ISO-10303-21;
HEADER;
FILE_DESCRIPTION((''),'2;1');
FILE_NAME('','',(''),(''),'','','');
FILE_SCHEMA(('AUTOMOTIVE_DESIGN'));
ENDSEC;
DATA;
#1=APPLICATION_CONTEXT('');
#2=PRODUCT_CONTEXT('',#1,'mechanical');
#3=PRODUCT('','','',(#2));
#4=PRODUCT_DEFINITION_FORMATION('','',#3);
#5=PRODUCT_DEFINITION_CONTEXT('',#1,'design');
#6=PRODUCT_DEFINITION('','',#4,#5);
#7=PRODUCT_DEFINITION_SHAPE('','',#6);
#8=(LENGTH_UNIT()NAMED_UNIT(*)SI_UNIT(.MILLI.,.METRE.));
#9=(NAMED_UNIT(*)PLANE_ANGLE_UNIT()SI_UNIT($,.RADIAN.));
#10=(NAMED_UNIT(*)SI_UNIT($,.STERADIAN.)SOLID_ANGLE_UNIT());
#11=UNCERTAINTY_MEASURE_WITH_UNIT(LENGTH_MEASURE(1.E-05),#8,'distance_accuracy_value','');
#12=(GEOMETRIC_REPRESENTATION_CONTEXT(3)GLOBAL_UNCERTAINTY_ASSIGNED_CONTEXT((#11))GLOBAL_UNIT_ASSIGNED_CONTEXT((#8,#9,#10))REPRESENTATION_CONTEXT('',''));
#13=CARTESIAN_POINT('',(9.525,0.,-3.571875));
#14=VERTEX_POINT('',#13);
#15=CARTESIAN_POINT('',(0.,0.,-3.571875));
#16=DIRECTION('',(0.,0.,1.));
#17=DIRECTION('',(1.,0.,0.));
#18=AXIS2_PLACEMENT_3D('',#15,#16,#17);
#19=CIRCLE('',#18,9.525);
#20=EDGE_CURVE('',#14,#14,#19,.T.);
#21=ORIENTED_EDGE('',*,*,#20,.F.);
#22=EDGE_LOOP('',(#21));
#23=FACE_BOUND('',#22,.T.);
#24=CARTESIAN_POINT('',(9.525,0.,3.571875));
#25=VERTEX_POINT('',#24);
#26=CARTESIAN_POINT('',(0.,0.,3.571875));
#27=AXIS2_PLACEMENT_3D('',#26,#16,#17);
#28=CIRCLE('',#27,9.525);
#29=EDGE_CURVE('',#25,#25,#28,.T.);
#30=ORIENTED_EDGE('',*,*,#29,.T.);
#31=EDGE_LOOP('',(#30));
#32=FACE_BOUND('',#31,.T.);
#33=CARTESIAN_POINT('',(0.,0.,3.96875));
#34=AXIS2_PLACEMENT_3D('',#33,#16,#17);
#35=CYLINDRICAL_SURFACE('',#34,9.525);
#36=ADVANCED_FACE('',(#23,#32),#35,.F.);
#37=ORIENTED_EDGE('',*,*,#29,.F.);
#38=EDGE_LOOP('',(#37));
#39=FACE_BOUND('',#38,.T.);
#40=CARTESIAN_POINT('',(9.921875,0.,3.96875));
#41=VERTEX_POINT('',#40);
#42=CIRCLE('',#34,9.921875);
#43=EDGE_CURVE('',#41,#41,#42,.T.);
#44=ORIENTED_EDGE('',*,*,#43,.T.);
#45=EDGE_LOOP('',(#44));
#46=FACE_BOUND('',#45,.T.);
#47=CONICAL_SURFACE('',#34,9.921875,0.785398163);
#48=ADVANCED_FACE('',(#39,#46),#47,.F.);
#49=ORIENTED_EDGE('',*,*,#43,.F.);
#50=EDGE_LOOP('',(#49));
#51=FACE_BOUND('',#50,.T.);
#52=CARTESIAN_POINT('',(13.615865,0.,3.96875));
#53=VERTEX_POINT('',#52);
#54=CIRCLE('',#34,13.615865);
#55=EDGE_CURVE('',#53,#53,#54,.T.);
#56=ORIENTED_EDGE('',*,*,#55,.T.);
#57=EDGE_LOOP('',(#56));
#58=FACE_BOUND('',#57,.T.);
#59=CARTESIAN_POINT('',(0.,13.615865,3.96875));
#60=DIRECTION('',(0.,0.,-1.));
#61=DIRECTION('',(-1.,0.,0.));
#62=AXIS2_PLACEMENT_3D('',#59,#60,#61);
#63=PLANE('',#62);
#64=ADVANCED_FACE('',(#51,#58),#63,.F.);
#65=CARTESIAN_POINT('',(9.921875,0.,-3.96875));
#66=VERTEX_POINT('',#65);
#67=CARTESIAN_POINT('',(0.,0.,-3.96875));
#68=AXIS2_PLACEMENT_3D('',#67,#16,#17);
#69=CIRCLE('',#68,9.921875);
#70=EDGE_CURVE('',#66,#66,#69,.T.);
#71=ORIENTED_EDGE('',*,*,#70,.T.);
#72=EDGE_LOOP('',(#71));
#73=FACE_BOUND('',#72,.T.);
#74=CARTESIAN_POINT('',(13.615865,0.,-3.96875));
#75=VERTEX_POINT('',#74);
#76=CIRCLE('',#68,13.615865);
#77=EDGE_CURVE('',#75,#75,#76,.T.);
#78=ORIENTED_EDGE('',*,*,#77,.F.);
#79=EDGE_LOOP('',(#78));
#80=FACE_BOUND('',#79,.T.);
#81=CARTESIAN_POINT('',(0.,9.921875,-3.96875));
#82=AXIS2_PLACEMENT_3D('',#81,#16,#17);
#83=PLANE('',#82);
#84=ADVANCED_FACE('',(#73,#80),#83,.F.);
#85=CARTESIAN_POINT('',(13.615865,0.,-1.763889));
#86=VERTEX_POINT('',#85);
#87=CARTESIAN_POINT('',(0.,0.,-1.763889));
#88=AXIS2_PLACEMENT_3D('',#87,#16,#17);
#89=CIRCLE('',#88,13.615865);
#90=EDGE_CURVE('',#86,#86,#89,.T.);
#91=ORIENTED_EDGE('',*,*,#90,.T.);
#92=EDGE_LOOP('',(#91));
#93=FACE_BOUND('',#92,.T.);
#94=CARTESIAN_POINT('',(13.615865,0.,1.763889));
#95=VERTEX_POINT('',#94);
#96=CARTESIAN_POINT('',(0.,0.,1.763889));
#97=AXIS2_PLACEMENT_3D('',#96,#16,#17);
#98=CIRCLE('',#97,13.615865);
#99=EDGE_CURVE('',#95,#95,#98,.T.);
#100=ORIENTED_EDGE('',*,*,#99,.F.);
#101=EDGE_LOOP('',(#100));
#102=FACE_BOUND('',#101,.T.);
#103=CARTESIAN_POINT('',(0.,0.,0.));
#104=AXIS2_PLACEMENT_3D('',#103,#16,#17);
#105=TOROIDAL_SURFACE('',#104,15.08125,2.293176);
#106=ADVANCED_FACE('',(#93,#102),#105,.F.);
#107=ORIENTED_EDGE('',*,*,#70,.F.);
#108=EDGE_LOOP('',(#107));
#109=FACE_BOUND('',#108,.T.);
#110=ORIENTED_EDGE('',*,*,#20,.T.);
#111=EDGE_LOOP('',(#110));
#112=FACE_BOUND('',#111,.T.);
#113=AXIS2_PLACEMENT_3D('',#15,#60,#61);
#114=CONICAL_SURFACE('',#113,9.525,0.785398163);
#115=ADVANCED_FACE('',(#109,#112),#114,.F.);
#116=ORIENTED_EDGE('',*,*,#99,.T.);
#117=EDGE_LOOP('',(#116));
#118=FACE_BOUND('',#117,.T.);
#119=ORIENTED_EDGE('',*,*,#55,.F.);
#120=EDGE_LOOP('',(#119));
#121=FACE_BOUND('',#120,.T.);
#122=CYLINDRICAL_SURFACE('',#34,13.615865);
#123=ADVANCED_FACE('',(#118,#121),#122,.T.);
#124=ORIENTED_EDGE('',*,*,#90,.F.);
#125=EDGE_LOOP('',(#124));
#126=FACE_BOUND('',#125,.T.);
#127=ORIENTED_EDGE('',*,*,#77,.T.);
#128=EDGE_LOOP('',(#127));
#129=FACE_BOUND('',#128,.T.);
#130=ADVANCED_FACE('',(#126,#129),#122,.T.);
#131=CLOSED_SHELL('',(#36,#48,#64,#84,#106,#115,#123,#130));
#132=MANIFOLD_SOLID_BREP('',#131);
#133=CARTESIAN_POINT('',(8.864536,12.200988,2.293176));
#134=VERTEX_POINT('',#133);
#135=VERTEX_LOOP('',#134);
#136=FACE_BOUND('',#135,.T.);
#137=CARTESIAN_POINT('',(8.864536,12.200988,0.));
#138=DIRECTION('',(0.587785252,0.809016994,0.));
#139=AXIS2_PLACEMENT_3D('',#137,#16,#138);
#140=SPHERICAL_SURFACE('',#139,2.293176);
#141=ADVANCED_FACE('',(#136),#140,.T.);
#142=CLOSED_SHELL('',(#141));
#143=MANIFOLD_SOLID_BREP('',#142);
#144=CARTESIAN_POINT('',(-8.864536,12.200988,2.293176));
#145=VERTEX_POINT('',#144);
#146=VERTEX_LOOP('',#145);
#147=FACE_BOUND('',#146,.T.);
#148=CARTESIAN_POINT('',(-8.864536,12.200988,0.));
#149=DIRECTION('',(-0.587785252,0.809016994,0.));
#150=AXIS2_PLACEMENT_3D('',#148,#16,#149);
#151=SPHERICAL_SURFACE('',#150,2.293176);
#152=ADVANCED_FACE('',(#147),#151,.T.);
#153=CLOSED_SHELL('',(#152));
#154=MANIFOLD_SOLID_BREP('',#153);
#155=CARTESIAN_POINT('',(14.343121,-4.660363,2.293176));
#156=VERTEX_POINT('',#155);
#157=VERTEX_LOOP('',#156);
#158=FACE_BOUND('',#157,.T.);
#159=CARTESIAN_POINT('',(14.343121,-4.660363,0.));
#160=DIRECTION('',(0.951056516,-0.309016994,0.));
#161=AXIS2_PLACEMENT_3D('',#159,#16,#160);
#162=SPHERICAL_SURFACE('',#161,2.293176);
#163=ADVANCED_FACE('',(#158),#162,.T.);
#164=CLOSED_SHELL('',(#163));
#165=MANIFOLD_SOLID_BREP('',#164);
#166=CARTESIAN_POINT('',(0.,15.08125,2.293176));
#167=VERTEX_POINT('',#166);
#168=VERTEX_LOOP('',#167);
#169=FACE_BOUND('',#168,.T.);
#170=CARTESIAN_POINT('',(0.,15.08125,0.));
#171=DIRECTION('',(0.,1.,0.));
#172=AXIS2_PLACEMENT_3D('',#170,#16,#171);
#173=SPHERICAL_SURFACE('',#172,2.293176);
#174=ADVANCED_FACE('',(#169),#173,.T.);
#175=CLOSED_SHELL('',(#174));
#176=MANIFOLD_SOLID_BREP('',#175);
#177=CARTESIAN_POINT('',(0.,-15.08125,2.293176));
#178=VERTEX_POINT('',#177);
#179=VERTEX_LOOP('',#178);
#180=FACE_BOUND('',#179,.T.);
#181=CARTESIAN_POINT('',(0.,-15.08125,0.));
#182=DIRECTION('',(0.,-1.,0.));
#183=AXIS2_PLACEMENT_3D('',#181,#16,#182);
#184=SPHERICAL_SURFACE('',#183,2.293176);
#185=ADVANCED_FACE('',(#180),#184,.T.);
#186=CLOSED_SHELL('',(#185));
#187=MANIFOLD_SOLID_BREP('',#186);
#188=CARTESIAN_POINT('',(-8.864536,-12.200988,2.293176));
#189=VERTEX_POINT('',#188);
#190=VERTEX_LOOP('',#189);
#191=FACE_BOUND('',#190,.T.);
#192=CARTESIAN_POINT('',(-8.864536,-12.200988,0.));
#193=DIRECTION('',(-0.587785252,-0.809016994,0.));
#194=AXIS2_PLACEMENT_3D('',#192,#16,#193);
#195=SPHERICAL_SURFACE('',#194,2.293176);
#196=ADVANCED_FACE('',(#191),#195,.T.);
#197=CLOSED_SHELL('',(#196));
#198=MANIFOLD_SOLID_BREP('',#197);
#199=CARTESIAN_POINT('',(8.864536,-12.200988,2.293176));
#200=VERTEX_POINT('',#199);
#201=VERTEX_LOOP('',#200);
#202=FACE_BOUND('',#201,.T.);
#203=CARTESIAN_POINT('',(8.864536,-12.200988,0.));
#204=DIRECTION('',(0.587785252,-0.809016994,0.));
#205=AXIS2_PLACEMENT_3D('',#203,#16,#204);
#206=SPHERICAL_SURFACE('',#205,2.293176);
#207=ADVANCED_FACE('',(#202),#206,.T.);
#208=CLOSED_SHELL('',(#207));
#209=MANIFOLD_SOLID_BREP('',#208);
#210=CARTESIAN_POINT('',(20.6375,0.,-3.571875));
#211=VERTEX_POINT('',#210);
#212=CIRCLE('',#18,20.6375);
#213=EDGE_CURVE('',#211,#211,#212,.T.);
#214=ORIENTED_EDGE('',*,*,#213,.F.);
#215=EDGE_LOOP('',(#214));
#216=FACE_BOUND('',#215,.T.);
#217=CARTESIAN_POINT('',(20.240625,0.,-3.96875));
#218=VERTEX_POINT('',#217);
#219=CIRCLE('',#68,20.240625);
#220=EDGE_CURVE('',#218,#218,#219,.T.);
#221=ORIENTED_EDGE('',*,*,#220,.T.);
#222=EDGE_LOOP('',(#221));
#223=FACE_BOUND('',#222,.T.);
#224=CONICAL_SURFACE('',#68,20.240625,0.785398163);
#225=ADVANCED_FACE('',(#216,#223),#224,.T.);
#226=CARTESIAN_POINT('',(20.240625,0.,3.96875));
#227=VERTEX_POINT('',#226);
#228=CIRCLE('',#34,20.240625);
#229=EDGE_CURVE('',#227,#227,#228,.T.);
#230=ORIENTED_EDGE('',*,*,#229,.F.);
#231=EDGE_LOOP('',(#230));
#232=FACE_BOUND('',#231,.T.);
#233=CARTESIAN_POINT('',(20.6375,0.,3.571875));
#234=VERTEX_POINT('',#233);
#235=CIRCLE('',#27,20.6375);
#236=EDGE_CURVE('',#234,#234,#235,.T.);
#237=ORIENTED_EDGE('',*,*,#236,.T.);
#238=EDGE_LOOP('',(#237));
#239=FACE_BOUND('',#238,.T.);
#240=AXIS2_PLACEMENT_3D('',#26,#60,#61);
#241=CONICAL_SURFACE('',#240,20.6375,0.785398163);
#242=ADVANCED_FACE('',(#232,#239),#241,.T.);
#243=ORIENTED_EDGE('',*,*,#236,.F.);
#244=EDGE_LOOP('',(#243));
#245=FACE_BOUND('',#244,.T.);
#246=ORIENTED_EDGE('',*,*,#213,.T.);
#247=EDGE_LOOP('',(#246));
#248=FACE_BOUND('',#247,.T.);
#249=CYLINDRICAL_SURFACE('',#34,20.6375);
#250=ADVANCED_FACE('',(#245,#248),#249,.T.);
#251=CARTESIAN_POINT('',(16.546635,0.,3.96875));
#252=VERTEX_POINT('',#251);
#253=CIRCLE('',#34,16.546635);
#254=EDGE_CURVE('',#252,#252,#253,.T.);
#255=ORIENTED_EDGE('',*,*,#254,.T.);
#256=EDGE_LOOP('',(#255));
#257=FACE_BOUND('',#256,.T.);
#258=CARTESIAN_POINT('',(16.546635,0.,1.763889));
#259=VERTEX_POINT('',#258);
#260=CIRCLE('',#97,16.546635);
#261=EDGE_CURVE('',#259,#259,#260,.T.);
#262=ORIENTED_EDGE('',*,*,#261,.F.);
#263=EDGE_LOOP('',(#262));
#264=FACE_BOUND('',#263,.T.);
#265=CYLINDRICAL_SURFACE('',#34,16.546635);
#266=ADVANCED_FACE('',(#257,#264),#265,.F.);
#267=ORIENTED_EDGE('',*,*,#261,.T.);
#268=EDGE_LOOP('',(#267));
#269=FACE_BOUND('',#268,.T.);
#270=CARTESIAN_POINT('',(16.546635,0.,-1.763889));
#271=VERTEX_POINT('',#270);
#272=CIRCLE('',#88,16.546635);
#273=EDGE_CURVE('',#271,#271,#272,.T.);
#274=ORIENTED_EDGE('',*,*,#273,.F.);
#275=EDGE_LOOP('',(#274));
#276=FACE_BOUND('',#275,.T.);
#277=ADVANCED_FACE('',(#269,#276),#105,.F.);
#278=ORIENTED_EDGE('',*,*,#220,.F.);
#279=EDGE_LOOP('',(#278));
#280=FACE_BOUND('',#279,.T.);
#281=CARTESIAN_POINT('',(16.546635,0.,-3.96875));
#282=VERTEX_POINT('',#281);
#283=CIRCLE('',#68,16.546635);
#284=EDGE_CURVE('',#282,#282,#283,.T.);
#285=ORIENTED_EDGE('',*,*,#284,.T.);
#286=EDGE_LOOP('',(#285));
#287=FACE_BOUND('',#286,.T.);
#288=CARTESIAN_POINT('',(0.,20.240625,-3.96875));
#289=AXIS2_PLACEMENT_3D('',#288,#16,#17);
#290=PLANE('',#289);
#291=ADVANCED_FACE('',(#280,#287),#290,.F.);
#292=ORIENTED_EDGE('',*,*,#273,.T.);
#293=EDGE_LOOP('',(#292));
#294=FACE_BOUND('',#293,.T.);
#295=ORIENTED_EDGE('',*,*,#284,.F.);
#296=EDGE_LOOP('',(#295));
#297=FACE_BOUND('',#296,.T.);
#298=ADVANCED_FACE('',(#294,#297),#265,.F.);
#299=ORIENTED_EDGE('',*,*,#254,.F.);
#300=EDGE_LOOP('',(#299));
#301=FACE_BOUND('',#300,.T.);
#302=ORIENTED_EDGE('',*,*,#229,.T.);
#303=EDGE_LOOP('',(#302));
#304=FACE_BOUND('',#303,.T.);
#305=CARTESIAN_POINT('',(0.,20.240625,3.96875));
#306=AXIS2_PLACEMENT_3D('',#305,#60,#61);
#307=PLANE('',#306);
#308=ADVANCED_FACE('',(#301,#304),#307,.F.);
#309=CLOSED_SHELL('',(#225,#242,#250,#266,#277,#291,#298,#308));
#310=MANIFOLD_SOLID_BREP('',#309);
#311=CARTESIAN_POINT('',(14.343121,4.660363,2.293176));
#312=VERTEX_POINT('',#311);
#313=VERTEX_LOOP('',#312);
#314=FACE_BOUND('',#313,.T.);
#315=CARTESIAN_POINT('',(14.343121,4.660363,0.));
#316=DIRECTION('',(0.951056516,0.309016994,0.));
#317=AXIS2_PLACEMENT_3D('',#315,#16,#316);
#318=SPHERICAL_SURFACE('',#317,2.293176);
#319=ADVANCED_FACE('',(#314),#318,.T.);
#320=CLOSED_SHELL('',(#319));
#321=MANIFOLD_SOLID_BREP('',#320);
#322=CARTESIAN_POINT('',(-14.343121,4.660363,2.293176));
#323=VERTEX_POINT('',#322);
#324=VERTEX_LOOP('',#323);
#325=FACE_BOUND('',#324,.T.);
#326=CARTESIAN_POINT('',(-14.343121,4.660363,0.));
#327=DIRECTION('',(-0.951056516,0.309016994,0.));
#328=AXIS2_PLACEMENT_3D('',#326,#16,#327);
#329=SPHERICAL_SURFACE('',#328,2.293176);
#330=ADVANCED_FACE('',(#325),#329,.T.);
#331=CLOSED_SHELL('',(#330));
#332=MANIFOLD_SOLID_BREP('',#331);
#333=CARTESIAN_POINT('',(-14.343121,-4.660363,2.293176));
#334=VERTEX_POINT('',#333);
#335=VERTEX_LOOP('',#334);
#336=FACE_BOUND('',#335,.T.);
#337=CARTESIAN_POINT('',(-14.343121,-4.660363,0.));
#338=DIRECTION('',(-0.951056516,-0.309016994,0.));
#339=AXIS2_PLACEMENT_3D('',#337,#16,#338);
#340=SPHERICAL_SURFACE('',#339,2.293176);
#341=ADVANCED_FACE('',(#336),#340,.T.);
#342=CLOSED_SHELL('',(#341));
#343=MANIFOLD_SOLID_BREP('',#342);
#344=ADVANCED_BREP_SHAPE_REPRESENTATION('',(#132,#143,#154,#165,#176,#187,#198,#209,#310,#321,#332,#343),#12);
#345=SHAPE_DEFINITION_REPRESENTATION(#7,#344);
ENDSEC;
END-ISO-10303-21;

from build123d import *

# Parameters (mm, degrees)
CIRPATTERN1_COUNT = 10


with BuildPart() as part:
    # Sketch1 → Revolve1 (revolve)
    with BuildSketch(Plane(origin=(0, 0, 0), x_dir=(0, 0, -1), z_dir=(1, 0, 0)), mode=Mode.PRIVATE) as revolve1_sk:
        with BuildLine():
            Line((3.571875, 20.6375), (-3.571875, 20.6375))
            Line((-3.571875, 20.6375), (-3.96875, 20.240625))
            Line((-3.96875, 20.240625), (-3.96875, 16.546634615))
            Line((-3.96875, 16.546634615), (-1.763888889, 16.546634615))
            ThreePointArc((-1.763888889, 16.546634615), (0, 17.374425982), (1.763888889, 16.546634615))
            Line((1.763888889, 16.546634615), (3.96875, 16.546634615))
            Line((3.96875, 16.546634615), (3.96875, 20.240625))
            Line((3.96875, 20.240625), (3.571875, 20.6375))
        make_face()
    revolve(revolve1_sk.sketch.rotate(Axis((0, 0, 3.96875), (0, 0, -1)), 90), axis=Axis((0, 0, 3.96875), (0, 0, -1)))  # turned: the seam where the file's is


with BuildPart() as body_2:
    # Sketch3 → Revolve3 (revolve)
    with BuildSketch(Plane(origin=(0, 0, 0), x_dir=(0, 0, -1), z_dir=(1, 0, 0)), mode=Mode.PRIVATE) as revolve3_sk:
        with BuildLine():
            Line((-3.96875, 13.615865385), (-1.763888889, 13.615865385))
            ThreePointArc((-1.763888889, 13.615865385), (0, 12.788074018), (1.763888889, 13.615865385))
            Line((1.763888889, 13.615865385), (3.96875, 13.615865385))
            Line((3.96875, 13.615865385), (3.96875, 9.921875))
            Line((3.96875, 9.921875), (3.571875, 9.525))
            Line((3.571875, 9.525), (-3.571875, 9.525))
            Line((-3.571875, 9.525), (-3.96875, 9.921875))
            Line((-3.96875, 9.921875), (-3.96875, 13.615865385))
        make_face()
    revolve(revolve3_sk.sketch.rotate(Axis((0, 0, 3.96875), (0, 0, -1)), 90), axis=Axis((0, 0, 3.96875), (0, 0, -1)))  # turned: the seam where the file's is


with BuildPart() as body_3:
    # Sketch4 → Revolve4 (revolve)
    with BuildSketch(Plane(origin=(0, 0, 0), x_dir=(0, 0, -1), z_dir=(1, 0, 0))):
        with BuildLine():
            Line((-2.293175982, 15.08125), (2.293175982, 15.08125))
            ThreePointArc((2.293175982, 15.08125), (0, 17.374425982), (-2.293175982, 15.08125))
        make_face()
    revolve(axis=Axis((0, 15.08125, 2.293175982), (0, 0, -1)))


with BuildPart() as cirpattern1_1:
    # CirPattern1: pattern copy
    add(body_3.part.rotate(Axis((0, 0, 0), (0, 0, 1)), 1 * 360 / CIRPATTERN1_COUNT))


with BuildPart() as cirpattern1_2:
    # CirPattern1: pattern copy
    add(body_3.part.rotate(Axis((0, 0, 0), (0, 0, 1)), 2 * 360 / CIRPATTERN1_COUNT))


with BuildPart() as cirpattern1_3:
    # CirPattern1: pattern copy
    add(body_3.part.rotate(Axis((0, 0, 0), (0, 0, 1)), 3 * 360 / CIRPATTERN1_COUNT))


with BuildPart() as cirpattern1_4:
    # CirPattern1: pattern copy
    add(body_3.part.rotate(Axis((0, 0, 0), (0, 0, 1)), 4 * 360 / CIRPATTERN1_COUNT))


with BuildPart() as cirpattern1_5:
    # CirPattern1: pattern copy
    add(body_3.part.rotate(Axis((0, 0, 0), (0, 0, 1)), 5 * 360 / CIRPATTERN1_COUNT))


with BuildPart() as cirpattern1_6:
    # CirPattern1: pattern copy
    add(body_3.part.rotate(Axis((0, 0, 0), (0, 0, 1)), 6 * 360 / CIRPATTERN1_COUNT))


with BuildPart() as cirpattern1_7:
    # CirPattern1: pattern copy
    add(body_3.part.rotate(Axis((0, 0, 0), (0, 0, 1)), 7 * 360 / CIRPATTERN1_COUNT))


with BuildPart() as cirpattern1_8:
    # CirPattern1: pattern copy
    add(body_3.part.rotate(Axis((0, 0, 0), (0, 0, 1)), 8 * 360 / CIRPATTERN1_COUNT))


with BuildPart() as cirpattern1_9:
    # CirPattern1: pattern copy
    add(body_3.part.rotate(Axis((0, 0, 0), (0, 0, 1)), 9 * 360 / CIRPATTERN1_COUNT))


solid = Compound([part.part, body_2.part, body_3.part, cirpattern1_1.part, cirpattern1_2.part, cirpattern1_3.part, cirpattern1_4.part, cirpattern1_5.part, cirpattern1_6.part, cirpattern1_7.part, cirpattern1_8.part, cirpattern1_9.part])
